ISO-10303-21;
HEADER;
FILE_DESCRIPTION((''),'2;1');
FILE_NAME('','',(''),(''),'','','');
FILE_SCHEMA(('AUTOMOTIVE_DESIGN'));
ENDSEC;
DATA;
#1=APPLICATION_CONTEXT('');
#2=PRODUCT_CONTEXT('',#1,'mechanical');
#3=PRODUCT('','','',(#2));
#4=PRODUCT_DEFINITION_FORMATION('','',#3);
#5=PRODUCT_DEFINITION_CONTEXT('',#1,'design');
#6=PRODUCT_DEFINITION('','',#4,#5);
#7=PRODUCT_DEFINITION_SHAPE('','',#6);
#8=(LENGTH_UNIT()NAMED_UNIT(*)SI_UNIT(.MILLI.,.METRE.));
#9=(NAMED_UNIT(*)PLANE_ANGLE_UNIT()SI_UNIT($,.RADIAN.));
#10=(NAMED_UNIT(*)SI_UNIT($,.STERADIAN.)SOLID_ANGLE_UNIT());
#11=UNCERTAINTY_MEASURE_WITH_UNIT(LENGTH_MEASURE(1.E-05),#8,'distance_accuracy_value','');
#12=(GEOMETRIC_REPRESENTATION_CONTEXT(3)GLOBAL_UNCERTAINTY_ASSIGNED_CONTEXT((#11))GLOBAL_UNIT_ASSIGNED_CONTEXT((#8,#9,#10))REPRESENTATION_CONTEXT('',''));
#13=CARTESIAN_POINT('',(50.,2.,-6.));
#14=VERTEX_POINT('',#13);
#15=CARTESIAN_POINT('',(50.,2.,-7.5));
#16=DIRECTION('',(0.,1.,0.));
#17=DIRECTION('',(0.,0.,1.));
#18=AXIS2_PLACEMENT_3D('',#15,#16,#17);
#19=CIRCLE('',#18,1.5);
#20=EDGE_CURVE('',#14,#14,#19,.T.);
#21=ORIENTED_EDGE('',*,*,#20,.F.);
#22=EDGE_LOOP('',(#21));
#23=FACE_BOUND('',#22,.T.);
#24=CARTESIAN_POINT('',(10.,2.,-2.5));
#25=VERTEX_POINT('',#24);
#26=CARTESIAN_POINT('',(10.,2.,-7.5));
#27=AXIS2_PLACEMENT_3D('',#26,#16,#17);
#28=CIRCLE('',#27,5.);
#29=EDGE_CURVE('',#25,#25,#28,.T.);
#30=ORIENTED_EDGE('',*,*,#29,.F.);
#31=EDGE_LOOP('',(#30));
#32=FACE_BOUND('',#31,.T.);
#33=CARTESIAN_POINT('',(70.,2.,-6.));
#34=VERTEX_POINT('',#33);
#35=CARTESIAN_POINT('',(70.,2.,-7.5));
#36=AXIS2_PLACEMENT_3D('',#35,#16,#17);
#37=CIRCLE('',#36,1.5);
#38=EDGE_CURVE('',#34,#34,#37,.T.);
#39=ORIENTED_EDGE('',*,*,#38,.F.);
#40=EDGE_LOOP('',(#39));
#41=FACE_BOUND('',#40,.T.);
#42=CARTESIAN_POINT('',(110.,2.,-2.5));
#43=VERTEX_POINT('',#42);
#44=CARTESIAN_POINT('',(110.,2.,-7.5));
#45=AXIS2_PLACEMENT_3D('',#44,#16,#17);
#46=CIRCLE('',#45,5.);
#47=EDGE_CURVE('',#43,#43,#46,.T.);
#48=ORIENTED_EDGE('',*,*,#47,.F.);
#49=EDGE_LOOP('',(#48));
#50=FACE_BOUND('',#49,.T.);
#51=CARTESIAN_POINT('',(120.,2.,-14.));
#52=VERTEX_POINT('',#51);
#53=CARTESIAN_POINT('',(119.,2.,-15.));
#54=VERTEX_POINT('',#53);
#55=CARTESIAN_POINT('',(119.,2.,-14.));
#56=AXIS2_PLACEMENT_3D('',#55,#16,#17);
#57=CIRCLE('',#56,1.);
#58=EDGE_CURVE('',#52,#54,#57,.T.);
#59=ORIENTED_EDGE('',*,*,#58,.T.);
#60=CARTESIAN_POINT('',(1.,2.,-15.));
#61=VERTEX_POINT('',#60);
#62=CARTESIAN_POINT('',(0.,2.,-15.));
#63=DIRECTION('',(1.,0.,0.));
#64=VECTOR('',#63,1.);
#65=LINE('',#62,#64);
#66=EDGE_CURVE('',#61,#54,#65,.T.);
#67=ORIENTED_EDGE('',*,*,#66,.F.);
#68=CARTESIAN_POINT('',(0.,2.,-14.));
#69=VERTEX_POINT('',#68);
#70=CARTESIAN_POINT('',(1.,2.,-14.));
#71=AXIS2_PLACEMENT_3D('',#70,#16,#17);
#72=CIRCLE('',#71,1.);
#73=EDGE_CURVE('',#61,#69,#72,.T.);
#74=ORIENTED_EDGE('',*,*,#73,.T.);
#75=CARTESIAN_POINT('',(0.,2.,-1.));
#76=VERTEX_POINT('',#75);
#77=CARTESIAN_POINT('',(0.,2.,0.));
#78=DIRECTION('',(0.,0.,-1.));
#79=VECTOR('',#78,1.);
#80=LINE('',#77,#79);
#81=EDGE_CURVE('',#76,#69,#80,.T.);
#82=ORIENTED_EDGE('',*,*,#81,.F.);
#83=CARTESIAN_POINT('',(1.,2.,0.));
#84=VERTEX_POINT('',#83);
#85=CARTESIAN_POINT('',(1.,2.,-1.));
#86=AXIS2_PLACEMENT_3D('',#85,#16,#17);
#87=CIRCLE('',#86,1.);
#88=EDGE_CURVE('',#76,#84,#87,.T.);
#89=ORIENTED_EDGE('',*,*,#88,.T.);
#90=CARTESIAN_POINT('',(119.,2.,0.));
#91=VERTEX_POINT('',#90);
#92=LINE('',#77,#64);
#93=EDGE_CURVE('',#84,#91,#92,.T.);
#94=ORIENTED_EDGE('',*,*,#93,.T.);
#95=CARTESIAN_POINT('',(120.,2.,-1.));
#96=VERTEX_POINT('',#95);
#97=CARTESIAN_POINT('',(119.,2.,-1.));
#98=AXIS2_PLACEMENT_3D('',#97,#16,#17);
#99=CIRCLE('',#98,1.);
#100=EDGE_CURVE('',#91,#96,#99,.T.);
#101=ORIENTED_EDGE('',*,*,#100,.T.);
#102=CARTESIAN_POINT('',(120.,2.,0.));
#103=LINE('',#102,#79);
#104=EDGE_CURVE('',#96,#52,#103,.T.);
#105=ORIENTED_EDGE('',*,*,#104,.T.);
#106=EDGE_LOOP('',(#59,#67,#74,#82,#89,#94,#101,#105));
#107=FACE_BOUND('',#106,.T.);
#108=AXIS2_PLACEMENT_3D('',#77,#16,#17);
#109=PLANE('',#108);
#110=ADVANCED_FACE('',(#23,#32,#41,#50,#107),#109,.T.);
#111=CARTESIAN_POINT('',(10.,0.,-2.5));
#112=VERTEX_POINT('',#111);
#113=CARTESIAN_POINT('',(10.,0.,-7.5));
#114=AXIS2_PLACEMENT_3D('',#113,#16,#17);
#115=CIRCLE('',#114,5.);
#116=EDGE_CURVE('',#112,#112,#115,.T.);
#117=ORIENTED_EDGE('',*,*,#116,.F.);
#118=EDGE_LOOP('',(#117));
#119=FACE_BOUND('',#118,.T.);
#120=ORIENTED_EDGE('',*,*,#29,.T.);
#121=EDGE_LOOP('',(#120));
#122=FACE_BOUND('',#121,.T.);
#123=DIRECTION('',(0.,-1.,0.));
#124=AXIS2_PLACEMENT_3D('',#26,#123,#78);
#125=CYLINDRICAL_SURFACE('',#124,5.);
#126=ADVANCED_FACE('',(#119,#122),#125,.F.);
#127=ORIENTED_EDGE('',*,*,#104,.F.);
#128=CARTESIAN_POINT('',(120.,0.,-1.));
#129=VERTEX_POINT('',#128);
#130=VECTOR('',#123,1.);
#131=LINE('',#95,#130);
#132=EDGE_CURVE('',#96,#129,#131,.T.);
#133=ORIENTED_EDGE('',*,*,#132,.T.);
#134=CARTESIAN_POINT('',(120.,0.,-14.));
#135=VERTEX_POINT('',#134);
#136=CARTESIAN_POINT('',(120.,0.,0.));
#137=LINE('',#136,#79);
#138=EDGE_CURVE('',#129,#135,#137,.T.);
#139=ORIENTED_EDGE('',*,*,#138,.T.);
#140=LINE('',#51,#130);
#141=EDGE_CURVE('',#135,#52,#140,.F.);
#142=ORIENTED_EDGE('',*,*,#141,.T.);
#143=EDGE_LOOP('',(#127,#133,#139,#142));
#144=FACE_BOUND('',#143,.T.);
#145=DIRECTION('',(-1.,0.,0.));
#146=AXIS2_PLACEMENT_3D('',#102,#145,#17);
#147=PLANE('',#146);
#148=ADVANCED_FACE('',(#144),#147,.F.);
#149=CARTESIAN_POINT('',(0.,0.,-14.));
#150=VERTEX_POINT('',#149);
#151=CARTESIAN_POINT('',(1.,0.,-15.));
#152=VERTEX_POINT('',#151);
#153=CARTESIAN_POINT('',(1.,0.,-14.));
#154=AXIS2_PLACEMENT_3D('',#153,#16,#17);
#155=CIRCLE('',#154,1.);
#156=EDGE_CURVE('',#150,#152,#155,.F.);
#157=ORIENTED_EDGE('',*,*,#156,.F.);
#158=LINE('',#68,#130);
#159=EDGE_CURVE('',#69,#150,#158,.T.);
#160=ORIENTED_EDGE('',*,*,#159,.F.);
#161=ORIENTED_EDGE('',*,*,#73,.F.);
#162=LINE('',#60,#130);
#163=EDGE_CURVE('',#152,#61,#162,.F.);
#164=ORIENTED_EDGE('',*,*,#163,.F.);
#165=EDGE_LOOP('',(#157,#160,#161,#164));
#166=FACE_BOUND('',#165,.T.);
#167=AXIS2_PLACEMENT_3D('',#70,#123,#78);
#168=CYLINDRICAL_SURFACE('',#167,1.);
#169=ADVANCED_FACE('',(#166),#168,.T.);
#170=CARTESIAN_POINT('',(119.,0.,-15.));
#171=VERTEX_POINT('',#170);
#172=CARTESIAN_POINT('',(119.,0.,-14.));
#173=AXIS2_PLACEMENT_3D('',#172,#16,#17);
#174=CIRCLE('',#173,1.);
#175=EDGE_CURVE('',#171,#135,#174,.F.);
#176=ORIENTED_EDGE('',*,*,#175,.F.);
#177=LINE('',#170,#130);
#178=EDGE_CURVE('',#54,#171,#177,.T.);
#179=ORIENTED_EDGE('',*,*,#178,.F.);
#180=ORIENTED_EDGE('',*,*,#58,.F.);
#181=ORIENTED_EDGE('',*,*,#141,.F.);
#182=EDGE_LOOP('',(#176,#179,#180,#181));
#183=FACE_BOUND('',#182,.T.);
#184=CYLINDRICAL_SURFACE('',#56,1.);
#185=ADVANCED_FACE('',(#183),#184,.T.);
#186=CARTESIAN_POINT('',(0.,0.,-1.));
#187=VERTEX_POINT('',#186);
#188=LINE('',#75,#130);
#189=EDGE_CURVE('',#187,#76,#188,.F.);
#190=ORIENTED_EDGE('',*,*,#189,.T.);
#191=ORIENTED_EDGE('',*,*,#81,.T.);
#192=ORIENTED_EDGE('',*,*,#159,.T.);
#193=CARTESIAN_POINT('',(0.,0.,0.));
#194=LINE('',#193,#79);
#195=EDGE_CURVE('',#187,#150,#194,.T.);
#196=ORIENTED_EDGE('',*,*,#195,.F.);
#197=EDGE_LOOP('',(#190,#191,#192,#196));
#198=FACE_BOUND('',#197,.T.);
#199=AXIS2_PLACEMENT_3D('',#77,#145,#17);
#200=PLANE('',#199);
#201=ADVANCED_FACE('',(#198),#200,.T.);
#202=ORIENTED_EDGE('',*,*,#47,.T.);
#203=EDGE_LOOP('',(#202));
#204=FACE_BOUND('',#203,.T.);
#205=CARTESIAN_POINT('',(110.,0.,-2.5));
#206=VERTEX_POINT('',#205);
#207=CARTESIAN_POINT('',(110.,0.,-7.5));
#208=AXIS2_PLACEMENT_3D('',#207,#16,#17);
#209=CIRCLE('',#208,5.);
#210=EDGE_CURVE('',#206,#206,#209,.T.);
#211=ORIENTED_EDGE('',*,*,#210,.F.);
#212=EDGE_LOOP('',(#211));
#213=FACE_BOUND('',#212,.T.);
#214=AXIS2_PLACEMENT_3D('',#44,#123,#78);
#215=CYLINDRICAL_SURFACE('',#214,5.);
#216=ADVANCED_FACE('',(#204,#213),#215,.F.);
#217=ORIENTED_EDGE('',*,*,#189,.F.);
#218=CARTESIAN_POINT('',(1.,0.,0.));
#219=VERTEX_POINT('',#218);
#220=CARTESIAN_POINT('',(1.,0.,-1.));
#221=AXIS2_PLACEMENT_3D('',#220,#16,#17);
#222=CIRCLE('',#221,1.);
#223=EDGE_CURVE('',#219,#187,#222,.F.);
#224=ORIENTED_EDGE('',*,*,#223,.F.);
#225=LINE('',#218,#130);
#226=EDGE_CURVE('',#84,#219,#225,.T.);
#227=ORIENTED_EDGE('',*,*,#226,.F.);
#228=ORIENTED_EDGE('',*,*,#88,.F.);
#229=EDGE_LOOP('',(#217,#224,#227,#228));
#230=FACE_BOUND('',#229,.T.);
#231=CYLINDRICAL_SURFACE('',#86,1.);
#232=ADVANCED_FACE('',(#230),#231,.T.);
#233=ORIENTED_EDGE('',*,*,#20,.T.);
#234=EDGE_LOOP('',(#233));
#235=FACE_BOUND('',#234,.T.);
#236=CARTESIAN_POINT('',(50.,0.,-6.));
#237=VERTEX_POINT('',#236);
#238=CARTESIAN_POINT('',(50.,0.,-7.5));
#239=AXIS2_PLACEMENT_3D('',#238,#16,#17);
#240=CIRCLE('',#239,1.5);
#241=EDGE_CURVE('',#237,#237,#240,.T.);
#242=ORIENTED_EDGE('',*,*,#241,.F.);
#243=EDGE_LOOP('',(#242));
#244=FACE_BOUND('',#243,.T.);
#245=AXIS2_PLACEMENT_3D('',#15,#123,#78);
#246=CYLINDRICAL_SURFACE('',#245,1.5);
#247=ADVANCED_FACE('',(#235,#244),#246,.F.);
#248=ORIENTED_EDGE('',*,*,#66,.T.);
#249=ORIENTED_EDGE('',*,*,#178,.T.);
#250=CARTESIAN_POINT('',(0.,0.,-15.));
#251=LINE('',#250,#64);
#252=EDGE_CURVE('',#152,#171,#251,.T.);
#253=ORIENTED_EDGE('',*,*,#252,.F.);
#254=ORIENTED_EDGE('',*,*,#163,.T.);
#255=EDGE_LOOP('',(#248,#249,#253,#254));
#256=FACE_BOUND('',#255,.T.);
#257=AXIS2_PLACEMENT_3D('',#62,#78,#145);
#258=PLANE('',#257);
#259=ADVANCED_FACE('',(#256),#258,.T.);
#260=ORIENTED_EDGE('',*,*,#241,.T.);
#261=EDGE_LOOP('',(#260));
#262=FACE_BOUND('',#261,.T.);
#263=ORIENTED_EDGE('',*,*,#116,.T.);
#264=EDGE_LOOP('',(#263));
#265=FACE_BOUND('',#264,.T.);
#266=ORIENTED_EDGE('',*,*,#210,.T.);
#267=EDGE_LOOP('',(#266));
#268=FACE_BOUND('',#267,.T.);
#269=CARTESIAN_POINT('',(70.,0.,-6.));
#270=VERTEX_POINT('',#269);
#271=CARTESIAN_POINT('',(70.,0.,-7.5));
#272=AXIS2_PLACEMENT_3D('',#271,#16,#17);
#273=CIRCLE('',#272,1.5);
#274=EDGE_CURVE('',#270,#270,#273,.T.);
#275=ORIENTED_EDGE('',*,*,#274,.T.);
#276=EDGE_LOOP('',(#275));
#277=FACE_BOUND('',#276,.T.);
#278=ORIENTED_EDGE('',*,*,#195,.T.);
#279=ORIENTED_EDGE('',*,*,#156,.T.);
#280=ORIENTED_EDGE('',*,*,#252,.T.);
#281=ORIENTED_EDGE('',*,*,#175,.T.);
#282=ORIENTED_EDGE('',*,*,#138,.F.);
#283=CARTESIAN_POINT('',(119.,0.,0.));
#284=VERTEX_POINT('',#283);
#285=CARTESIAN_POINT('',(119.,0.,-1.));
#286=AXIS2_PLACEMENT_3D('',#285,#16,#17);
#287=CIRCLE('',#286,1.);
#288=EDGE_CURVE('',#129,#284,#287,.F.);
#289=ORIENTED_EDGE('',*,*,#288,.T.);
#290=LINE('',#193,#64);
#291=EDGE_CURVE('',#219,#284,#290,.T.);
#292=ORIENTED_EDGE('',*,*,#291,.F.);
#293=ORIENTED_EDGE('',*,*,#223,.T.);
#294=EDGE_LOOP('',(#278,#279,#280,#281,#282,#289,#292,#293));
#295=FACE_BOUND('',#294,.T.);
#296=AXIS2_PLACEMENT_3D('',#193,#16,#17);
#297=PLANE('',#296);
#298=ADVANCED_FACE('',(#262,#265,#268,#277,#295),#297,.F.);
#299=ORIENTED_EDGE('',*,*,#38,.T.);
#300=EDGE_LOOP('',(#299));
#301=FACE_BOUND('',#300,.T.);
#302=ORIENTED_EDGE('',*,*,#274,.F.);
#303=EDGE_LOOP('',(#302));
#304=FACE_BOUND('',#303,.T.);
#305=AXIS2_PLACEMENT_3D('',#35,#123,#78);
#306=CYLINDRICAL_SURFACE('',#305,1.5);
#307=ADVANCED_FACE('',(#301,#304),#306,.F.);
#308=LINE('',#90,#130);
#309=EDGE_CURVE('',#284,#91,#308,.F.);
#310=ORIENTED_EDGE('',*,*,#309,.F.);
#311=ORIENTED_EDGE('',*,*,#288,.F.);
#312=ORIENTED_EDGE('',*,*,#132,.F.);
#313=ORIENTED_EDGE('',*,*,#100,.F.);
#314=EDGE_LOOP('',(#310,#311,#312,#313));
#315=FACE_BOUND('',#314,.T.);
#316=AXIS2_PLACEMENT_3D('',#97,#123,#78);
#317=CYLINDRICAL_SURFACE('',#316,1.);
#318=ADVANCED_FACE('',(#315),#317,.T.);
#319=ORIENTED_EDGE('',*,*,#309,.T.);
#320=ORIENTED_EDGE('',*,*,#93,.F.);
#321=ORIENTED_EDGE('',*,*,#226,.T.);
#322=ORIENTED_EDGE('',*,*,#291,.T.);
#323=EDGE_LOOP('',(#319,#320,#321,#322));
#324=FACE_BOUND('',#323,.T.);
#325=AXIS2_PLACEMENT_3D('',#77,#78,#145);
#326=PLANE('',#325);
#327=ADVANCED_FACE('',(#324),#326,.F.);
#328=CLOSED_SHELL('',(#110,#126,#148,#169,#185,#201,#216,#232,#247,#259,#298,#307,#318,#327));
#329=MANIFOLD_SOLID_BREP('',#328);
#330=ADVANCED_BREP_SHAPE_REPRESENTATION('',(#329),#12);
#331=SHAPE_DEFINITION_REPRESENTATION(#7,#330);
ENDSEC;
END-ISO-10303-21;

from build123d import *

# Parameters (mm, degrees)
SKETCH1_W           = 120
SKETCH1_H           = 15
SKETCH1_R           = 5
SKETCH1_R_2         = 1.5
BOSS_EXTRUDE1_DEPTH = 2
FILLET1_R           = 1


with BuildPart() as part:
    # Sketch1 → Boss-Extrude1 (new body)
    with BuildSketch(Plane(origin=(0, 0, 0), x_dir=(1, 0, 0), z_dir=(0, 1, 0))):
        with Locations((60, 7.5)):
            Rectangle(SKETCH1_W, SKETCH1_H)
        with Locations(Location((10, 7.5, 0), (0, 0, 270))):
            Circle(SKETCH1_R, mode=Mode.SUBTRACT)
        with Locations(Location((110, 7.5, 0), (0, 0, 270))):
            Circle(SKETCH1_R, mode=Mode.SUBTRACT)
        with Locations(Location((50, 7.5, 0), (0, 0, 270))):
            Circle(SKETCH1_R_2, mode=Mode.SUBTRACT)
        with Locations(Location((70, 7.5, 0), (0, 0, 270))):
            Circle(SKETCH1_R_2, mode=Mode.SUBTRACT)
    extrude(amount=BOSS_EXTRUDE1_DEPTH)

    # Fillet1
    fillet1_edges = [part.edges().sort_by_distance(p)[0] for p in [
        (120, 1, 0),
        (0, 1, 0),
        (0, 1, -15),
        (120, 1, -15),
    ]]
    fillet(fillet1_edges, radius=FILLET1_R)


solid = part.part
